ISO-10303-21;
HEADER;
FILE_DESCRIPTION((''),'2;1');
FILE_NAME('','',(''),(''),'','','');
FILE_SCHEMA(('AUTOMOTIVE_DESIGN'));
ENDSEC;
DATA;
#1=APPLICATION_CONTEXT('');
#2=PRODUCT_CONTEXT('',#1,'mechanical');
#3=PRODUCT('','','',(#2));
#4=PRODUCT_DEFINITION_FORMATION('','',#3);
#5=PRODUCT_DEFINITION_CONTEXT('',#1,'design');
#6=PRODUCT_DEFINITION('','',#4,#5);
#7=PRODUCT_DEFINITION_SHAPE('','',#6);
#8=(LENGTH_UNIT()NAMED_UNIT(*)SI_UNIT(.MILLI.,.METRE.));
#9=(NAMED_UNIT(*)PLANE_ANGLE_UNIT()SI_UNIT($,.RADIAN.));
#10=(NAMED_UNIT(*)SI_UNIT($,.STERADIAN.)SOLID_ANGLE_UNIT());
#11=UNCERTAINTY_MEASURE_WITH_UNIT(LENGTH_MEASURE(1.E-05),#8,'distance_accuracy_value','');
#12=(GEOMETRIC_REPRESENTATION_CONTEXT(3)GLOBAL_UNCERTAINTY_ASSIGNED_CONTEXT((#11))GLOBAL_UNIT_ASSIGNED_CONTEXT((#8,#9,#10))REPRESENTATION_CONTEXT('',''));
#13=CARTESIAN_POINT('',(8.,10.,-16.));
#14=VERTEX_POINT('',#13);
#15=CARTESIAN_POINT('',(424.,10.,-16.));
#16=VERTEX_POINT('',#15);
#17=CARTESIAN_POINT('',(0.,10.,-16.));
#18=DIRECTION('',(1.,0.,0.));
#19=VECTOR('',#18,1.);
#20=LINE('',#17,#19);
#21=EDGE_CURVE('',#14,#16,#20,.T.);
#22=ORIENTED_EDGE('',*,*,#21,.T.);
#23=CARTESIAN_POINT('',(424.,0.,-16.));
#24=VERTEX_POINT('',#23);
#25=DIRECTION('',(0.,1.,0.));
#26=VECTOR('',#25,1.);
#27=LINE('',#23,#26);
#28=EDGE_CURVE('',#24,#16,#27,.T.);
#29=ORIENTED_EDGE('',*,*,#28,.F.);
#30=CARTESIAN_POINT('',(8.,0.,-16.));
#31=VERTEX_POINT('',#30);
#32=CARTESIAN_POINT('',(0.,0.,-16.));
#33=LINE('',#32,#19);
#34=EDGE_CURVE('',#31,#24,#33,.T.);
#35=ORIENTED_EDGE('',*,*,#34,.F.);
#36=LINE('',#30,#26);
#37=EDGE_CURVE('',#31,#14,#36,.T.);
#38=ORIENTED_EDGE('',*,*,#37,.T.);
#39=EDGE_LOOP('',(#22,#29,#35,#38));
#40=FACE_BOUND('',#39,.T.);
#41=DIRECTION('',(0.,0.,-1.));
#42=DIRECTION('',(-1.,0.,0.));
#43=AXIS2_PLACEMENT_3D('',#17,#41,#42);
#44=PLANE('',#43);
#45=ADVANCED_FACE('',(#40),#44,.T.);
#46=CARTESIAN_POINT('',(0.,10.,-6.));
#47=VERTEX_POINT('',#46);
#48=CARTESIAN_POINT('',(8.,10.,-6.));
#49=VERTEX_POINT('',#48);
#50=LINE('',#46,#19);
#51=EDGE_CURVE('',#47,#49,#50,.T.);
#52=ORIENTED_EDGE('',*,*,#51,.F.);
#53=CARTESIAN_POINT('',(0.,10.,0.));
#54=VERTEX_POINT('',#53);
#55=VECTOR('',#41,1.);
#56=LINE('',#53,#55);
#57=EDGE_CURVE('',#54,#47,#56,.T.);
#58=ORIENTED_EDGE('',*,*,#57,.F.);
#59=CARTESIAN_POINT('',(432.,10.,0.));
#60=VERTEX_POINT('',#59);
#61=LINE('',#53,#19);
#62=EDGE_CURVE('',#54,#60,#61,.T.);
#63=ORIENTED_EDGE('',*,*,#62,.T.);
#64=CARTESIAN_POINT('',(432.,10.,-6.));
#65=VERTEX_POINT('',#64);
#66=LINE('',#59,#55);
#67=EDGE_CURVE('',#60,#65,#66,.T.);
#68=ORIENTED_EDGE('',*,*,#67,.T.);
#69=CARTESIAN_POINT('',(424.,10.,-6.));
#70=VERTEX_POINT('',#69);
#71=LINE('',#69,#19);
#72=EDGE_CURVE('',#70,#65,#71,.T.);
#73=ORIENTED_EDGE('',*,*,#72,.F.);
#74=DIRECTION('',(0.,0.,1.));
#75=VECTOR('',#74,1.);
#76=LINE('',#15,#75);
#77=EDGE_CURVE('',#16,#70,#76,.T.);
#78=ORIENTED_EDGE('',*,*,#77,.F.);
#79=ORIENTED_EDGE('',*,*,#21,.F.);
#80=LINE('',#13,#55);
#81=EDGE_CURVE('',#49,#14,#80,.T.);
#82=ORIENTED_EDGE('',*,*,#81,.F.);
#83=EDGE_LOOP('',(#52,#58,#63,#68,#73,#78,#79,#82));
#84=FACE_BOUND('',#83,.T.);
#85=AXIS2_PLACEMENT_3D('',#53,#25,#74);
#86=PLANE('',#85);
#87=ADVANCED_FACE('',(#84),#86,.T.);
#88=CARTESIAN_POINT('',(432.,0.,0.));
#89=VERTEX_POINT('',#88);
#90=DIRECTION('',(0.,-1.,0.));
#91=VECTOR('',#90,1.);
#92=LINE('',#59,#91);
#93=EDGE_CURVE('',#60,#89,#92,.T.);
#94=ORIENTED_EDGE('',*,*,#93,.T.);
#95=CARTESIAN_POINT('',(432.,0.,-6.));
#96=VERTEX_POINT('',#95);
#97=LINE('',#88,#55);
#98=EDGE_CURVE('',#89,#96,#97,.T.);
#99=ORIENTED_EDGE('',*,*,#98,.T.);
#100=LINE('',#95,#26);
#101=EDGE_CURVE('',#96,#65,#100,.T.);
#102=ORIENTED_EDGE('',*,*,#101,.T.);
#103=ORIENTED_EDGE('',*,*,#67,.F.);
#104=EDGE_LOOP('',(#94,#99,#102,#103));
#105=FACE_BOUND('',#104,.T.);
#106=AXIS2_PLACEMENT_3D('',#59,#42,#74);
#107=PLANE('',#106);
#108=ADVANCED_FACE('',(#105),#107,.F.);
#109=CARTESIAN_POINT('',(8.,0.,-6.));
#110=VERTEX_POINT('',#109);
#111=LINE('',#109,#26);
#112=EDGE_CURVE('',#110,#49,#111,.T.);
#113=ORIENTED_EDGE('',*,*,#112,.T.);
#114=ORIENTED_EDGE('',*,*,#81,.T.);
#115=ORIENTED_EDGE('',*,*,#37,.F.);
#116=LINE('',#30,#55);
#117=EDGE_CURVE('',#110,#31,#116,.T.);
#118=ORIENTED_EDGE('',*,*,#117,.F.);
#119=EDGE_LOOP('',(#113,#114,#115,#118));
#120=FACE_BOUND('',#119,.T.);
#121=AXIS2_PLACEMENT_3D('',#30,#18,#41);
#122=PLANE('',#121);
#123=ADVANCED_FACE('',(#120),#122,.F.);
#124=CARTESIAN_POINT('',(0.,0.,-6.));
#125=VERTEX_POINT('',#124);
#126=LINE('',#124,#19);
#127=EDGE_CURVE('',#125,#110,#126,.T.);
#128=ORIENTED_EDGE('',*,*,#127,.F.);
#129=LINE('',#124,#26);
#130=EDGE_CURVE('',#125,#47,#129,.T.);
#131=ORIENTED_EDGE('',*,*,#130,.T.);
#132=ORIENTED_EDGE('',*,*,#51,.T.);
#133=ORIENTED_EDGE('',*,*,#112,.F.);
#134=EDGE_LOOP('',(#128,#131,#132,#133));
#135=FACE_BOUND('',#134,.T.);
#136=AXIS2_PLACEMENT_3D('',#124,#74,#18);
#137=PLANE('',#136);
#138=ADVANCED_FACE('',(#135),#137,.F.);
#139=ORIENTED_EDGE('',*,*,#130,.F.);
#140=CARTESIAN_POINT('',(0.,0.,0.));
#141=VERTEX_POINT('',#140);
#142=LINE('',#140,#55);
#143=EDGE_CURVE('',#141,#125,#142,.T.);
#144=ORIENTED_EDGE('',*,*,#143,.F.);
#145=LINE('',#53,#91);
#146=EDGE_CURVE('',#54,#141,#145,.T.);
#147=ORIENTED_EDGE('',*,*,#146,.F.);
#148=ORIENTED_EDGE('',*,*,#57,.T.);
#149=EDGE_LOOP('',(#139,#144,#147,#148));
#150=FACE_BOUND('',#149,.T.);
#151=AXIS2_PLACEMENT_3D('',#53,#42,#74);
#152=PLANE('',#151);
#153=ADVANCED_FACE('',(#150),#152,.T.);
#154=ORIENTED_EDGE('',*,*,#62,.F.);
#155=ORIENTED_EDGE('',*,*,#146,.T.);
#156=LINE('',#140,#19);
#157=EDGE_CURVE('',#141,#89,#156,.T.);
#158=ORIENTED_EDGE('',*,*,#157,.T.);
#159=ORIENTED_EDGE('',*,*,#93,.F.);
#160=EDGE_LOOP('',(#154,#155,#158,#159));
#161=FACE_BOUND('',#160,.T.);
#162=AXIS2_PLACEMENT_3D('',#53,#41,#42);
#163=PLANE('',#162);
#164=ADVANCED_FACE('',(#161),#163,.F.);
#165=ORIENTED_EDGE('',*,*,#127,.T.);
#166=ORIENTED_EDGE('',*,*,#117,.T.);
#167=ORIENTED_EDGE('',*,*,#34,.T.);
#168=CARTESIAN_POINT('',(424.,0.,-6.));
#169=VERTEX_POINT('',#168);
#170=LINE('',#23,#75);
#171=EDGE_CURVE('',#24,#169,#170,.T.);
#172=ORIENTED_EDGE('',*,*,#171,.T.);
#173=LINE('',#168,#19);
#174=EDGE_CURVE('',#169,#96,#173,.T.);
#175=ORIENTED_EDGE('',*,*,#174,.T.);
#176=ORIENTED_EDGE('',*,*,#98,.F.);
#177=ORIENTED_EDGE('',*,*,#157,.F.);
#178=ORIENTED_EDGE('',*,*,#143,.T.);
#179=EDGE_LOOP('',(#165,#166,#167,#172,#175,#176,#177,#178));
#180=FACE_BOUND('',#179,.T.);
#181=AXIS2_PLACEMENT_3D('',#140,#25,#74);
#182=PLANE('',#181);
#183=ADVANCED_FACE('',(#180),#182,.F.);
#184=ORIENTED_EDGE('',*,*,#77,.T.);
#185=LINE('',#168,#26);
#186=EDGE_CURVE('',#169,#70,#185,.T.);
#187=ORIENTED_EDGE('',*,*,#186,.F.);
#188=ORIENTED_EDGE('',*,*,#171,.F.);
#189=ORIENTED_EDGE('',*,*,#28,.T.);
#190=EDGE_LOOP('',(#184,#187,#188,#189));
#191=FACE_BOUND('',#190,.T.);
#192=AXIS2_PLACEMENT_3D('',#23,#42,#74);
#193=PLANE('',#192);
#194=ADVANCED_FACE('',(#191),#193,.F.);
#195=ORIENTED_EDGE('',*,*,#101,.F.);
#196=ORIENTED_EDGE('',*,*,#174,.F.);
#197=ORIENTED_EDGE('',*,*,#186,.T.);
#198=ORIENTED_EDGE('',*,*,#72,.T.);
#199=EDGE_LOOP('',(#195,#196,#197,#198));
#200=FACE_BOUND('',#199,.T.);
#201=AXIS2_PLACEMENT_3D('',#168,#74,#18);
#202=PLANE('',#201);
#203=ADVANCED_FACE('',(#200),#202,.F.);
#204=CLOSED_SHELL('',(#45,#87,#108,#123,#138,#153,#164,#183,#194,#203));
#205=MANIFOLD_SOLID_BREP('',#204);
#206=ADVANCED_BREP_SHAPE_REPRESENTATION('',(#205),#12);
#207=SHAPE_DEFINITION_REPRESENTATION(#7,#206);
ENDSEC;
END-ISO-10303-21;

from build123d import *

# Parameters (mm, degrees)
SKETCH1_W           = 432
SKETCH1_H           = 16
BOSS_EXTRUDE2_DEPTH = 10
SKETCH2_W           = 8
SKETCH2_H           = 10
CUT_EXTRUDE3_DEPTH  = 10


with BuildPart() as part:
    # Sketch1 → Boss-Extrude2 (new body)
    with BuildSketch(Plane(origin=(0, 0, 0), x_dir=(1, 0, 0), z_dir=(0, 1, 0))):
        with Locations((216, 8)):
            Rectangle(SKETCH1_W, SKETCH1_H)
    extrude(amount=BOSS_EXTRUDE2_DEPTH)

    # Sketch2 → Cut-Extrude3 (cut)
    with BuildSketch(Plane(origin=(0, 10, 0), x_dir=(1, 0, 0), z_dir=(0, 1, 0))):
        with Locations((428, 11)):
            Rectangle(SKETCH2_W, SKETCH2_H)
        with Locations((4, 11)):
            Rectangle(SKETCH2_W, SKETCH2_H)
    extrude(amount=-CUT_EXTRUDE3_DEPTH, mode=Mode.SUBTRACT)


solid = part.part
